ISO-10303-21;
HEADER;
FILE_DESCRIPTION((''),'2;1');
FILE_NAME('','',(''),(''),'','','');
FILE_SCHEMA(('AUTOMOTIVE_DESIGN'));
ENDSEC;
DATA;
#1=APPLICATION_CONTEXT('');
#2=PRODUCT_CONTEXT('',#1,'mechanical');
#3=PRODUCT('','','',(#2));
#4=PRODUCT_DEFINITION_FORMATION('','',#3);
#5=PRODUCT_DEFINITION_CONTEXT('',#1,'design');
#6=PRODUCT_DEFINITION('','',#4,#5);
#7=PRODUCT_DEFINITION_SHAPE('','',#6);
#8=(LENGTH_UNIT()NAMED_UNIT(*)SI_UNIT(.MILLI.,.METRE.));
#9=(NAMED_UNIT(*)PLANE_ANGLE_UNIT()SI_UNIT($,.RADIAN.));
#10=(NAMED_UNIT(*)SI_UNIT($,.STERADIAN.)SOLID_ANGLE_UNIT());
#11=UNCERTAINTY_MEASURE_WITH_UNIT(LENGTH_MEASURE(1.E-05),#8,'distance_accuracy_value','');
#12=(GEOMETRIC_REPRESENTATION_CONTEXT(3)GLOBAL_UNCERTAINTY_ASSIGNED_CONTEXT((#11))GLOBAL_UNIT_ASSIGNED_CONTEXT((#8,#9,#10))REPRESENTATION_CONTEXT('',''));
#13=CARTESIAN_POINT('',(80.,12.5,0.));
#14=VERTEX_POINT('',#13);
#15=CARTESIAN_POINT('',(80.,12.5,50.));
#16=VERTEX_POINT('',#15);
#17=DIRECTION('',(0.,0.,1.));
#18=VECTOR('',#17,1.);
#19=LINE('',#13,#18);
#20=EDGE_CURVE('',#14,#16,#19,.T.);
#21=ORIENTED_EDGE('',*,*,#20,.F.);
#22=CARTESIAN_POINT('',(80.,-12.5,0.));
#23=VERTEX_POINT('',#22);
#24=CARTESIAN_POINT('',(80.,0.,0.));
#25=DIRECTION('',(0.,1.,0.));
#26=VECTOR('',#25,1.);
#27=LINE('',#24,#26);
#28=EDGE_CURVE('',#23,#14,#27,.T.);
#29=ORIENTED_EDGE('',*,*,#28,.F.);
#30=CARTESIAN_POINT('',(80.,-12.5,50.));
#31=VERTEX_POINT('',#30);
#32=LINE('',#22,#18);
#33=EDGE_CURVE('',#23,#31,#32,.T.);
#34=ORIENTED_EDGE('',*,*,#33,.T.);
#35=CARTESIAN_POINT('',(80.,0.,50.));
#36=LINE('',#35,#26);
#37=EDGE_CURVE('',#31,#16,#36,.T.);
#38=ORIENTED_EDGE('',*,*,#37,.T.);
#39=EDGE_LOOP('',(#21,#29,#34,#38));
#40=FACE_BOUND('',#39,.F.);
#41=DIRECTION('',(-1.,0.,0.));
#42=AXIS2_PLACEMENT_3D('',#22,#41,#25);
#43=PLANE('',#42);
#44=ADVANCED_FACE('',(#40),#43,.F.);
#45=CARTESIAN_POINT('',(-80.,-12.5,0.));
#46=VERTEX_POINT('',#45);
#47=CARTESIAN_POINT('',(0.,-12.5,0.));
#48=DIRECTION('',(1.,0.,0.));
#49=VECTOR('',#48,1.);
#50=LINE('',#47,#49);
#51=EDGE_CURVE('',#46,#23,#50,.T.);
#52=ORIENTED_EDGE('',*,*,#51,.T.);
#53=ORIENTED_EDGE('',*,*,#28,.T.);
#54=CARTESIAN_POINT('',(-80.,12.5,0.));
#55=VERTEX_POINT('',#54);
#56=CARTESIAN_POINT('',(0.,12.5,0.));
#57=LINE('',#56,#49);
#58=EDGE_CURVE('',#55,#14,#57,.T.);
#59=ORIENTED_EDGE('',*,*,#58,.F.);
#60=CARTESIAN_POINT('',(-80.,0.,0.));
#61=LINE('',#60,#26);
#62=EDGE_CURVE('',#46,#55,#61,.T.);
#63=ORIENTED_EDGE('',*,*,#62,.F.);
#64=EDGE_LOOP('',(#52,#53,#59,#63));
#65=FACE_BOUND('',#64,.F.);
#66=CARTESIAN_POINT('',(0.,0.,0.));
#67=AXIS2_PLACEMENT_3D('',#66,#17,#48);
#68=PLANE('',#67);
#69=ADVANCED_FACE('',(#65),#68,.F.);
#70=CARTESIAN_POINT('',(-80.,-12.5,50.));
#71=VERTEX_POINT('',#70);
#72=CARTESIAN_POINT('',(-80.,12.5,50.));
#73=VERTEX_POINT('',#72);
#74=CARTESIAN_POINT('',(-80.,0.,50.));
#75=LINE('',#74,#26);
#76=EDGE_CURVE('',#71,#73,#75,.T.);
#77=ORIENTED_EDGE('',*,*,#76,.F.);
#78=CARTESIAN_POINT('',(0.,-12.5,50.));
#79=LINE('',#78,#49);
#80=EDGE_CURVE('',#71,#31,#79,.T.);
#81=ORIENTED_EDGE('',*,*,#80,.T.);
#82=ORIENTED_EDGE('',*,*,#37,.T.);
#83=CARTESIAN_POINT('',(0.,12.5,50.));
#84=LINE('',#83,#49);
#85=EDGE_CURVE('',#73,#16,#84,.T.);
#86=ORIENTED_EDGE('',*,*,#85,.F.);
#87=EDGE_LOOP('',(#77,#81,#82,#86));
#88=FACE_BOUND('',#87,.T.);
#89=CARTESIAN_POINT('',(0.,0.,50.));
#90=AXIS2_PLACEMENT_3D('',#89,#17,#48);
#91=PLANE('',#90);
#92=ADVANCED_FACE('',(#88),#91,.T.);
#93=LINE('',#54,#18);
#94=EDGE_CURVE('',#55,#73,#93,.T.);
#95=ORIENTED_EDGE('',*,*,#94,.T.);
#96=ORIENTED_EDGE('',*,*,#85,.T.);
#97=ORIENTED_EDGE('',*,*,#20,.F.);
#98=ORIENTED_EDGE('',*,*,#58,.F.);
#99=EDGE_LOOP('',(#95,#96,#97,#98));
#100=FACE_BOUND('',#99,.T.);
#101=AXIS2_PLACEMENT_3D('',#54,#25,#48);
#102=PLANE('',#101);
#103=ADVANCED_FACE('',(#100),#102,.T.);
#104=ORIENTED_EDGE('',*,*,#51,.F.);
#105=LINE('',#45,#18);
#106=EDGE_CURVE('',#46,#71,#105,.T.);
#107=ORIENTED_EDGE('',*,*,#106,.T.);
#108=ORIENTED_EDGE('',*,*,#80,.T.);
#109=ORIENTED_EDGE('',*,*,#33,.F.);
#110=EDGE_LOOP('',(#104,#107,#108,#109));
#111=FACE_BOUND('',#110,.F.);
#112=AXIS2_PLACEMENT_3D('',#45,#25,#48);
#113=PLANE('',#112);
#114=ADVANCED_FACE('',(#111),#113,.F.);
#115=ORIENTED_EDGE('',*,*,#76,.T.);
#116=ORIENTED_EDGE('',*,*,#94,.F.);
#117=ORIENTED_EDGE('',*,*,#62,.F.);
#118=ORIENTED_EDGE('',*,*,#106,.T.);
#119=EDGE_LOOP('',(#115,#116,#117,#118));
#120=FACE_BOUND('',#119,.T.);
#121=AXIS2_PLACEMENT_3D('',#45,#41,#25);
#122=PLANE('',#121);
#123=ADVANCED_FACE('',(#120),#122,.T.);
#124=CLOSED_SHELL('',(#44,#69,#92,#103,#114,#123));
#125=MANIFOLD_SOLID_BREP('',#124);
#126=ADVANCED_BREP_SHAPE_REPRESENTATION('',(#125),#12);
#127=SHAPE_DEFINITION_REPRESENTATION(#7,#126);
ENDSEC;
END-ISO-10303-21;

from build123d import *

# Parameters (mm, degrees)
SKETCH_W      = 160
SKETCH_H      = 25
EXTRUDE_DEPTH = 50


with BuildPart() as part:
    # Sketch → Extrude (new body)
    with BuildSketch(Plane.XY):
        Rectangle(SKETCH_W, SKETCH_H)
    extrude(amount=EXTRUDE_DEPTH)


solid = part.part
